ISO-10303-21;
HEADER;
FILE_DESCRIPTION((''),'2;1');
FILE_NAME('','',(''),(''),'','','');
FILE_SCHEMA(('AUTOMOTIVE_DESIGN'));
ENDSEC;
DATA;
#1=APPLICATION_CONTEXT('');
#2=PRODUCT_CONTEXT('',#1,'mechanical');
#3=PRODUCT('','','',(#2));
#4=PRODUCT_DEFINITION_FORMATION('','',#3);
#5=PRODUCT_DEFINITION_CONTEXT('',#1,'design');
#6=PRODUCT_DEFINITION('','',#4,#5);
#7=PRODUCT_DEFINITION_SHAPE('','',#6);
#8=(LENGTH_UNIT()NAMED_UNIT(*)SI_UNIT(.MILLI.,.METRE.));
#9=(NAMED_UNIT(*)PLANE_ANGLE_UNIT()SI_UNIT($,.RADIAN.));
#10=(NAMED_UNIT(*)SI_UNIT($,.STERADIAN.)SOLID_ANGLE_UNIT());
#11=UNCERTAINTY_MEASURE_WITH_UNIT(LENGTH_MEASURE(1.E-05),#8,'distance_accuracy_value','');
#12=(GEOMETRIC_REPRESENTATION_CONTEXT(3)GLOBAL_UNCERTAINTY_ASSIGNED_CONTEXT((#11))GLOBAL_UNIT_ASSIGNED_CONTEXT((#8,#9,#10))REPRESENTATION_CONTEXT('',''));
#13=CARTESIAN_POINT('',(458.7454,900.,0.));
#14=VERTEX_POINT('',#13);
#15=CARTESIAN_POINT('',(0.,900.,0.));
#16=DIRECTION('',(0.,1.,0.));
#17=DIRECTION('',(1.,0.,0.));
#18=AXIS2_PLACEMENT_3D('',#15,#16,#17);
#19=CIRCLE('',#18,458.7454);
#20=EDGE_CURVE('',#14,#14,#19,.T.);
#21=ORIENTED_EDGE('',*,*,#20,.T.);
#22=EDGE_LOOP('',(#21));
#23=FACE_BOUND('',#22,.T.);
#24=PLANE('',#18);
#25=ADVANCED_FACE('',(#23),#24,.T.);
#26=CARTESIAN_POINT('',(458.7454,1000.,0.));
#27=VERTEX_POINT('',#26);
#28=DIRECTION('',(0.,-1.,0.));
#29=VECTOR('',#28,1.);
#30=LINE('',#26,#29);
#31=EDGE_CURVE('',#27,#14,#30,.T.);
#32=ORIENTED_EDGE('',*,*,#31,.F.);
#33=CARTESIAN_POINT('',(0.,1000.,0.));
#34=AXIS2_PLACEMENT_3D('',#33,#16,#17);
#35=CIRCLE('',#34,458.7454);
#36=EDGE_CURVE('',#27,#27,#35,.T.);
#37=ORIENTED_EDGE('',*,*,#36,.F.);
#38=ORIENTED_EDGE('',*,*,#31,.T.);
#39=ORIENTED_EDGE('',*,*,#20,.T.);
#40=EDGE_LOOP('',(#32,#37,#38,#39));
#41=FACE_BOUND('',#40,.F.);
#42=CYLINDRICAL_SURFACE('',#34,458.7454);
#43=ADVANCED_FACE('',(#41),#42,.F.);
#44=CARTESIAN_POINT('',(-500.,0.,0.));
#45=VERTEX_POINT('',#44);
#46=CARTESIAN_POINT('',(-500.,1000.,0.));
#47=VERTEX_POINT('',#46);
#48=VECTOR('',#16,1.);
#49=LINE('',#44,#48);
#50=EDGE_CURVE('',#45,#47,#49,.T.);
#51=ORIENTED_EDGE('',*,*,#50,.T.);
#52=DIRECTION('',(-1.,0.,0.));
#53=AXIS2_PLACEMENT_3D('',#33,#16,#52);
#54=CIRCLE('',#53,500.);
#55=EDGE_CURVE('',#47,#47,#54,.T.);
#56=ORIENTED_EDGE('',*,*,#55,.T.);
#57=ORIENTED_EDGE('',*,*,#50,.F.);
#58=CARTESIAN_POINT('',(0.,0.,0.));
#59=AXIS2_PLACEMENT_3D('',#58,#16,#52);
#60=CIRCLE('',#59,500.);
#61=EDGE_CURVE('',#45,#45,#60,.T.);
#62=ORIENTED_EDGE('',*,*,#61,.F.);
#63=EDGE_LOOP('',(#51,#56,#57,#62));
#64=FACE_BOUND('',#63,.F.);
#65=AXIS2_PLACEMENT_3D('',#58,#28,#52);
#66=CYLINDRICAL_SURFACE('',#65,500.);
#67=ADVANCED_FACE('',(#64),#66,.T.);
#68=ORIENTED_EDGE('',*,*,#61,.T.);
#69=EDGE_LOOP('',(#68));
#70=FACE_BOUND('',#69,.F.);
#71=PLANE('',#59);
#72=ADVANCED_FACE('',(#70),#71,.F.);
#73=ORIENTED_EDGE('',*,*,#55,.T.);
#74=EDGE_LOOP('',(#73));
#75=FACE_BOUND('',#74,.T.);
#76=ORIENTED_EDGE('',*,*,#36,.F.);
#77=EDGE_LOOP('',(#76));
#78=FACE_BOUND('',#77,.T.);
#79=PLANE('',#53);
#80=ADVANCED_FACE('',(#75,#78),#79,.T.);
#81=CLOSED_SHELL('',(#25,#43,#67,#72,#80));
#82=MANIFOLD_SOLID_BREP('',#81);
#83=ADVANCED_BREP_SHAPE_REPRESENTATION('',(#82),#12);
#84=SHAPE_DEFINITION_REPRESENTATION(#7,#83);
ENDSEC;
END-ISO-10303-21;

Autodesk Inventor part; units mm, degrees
ref_plane "XZ Plane" through (0, 0, 0) normal (0, 1, 0) x (-1, 0, 0)
ref_plane "XY Plane" through (0, 0, 0) normal (0, 0, 1) x (1, 0, 0)
sketch "Skizze1" plane through (0, 0, 0) normal (0, 1, 0) x (-1, 0, 0)
  circle A0 centre (0, 0) radius 500
  dimension "d0" = 1000
extrude "Extrusion1" add sketch "Skizze1" along normal blind 1000
sketch "Skizze2" plane through (0, 1000, 0) normal (0, 1, 0) x (1, 0, 0)
  circle A0 centre (0, 0) radius 458.7454
extrude "Extrusion2" cut sketch "Skizze2" against normal blind 100
properties part number "Topf"
